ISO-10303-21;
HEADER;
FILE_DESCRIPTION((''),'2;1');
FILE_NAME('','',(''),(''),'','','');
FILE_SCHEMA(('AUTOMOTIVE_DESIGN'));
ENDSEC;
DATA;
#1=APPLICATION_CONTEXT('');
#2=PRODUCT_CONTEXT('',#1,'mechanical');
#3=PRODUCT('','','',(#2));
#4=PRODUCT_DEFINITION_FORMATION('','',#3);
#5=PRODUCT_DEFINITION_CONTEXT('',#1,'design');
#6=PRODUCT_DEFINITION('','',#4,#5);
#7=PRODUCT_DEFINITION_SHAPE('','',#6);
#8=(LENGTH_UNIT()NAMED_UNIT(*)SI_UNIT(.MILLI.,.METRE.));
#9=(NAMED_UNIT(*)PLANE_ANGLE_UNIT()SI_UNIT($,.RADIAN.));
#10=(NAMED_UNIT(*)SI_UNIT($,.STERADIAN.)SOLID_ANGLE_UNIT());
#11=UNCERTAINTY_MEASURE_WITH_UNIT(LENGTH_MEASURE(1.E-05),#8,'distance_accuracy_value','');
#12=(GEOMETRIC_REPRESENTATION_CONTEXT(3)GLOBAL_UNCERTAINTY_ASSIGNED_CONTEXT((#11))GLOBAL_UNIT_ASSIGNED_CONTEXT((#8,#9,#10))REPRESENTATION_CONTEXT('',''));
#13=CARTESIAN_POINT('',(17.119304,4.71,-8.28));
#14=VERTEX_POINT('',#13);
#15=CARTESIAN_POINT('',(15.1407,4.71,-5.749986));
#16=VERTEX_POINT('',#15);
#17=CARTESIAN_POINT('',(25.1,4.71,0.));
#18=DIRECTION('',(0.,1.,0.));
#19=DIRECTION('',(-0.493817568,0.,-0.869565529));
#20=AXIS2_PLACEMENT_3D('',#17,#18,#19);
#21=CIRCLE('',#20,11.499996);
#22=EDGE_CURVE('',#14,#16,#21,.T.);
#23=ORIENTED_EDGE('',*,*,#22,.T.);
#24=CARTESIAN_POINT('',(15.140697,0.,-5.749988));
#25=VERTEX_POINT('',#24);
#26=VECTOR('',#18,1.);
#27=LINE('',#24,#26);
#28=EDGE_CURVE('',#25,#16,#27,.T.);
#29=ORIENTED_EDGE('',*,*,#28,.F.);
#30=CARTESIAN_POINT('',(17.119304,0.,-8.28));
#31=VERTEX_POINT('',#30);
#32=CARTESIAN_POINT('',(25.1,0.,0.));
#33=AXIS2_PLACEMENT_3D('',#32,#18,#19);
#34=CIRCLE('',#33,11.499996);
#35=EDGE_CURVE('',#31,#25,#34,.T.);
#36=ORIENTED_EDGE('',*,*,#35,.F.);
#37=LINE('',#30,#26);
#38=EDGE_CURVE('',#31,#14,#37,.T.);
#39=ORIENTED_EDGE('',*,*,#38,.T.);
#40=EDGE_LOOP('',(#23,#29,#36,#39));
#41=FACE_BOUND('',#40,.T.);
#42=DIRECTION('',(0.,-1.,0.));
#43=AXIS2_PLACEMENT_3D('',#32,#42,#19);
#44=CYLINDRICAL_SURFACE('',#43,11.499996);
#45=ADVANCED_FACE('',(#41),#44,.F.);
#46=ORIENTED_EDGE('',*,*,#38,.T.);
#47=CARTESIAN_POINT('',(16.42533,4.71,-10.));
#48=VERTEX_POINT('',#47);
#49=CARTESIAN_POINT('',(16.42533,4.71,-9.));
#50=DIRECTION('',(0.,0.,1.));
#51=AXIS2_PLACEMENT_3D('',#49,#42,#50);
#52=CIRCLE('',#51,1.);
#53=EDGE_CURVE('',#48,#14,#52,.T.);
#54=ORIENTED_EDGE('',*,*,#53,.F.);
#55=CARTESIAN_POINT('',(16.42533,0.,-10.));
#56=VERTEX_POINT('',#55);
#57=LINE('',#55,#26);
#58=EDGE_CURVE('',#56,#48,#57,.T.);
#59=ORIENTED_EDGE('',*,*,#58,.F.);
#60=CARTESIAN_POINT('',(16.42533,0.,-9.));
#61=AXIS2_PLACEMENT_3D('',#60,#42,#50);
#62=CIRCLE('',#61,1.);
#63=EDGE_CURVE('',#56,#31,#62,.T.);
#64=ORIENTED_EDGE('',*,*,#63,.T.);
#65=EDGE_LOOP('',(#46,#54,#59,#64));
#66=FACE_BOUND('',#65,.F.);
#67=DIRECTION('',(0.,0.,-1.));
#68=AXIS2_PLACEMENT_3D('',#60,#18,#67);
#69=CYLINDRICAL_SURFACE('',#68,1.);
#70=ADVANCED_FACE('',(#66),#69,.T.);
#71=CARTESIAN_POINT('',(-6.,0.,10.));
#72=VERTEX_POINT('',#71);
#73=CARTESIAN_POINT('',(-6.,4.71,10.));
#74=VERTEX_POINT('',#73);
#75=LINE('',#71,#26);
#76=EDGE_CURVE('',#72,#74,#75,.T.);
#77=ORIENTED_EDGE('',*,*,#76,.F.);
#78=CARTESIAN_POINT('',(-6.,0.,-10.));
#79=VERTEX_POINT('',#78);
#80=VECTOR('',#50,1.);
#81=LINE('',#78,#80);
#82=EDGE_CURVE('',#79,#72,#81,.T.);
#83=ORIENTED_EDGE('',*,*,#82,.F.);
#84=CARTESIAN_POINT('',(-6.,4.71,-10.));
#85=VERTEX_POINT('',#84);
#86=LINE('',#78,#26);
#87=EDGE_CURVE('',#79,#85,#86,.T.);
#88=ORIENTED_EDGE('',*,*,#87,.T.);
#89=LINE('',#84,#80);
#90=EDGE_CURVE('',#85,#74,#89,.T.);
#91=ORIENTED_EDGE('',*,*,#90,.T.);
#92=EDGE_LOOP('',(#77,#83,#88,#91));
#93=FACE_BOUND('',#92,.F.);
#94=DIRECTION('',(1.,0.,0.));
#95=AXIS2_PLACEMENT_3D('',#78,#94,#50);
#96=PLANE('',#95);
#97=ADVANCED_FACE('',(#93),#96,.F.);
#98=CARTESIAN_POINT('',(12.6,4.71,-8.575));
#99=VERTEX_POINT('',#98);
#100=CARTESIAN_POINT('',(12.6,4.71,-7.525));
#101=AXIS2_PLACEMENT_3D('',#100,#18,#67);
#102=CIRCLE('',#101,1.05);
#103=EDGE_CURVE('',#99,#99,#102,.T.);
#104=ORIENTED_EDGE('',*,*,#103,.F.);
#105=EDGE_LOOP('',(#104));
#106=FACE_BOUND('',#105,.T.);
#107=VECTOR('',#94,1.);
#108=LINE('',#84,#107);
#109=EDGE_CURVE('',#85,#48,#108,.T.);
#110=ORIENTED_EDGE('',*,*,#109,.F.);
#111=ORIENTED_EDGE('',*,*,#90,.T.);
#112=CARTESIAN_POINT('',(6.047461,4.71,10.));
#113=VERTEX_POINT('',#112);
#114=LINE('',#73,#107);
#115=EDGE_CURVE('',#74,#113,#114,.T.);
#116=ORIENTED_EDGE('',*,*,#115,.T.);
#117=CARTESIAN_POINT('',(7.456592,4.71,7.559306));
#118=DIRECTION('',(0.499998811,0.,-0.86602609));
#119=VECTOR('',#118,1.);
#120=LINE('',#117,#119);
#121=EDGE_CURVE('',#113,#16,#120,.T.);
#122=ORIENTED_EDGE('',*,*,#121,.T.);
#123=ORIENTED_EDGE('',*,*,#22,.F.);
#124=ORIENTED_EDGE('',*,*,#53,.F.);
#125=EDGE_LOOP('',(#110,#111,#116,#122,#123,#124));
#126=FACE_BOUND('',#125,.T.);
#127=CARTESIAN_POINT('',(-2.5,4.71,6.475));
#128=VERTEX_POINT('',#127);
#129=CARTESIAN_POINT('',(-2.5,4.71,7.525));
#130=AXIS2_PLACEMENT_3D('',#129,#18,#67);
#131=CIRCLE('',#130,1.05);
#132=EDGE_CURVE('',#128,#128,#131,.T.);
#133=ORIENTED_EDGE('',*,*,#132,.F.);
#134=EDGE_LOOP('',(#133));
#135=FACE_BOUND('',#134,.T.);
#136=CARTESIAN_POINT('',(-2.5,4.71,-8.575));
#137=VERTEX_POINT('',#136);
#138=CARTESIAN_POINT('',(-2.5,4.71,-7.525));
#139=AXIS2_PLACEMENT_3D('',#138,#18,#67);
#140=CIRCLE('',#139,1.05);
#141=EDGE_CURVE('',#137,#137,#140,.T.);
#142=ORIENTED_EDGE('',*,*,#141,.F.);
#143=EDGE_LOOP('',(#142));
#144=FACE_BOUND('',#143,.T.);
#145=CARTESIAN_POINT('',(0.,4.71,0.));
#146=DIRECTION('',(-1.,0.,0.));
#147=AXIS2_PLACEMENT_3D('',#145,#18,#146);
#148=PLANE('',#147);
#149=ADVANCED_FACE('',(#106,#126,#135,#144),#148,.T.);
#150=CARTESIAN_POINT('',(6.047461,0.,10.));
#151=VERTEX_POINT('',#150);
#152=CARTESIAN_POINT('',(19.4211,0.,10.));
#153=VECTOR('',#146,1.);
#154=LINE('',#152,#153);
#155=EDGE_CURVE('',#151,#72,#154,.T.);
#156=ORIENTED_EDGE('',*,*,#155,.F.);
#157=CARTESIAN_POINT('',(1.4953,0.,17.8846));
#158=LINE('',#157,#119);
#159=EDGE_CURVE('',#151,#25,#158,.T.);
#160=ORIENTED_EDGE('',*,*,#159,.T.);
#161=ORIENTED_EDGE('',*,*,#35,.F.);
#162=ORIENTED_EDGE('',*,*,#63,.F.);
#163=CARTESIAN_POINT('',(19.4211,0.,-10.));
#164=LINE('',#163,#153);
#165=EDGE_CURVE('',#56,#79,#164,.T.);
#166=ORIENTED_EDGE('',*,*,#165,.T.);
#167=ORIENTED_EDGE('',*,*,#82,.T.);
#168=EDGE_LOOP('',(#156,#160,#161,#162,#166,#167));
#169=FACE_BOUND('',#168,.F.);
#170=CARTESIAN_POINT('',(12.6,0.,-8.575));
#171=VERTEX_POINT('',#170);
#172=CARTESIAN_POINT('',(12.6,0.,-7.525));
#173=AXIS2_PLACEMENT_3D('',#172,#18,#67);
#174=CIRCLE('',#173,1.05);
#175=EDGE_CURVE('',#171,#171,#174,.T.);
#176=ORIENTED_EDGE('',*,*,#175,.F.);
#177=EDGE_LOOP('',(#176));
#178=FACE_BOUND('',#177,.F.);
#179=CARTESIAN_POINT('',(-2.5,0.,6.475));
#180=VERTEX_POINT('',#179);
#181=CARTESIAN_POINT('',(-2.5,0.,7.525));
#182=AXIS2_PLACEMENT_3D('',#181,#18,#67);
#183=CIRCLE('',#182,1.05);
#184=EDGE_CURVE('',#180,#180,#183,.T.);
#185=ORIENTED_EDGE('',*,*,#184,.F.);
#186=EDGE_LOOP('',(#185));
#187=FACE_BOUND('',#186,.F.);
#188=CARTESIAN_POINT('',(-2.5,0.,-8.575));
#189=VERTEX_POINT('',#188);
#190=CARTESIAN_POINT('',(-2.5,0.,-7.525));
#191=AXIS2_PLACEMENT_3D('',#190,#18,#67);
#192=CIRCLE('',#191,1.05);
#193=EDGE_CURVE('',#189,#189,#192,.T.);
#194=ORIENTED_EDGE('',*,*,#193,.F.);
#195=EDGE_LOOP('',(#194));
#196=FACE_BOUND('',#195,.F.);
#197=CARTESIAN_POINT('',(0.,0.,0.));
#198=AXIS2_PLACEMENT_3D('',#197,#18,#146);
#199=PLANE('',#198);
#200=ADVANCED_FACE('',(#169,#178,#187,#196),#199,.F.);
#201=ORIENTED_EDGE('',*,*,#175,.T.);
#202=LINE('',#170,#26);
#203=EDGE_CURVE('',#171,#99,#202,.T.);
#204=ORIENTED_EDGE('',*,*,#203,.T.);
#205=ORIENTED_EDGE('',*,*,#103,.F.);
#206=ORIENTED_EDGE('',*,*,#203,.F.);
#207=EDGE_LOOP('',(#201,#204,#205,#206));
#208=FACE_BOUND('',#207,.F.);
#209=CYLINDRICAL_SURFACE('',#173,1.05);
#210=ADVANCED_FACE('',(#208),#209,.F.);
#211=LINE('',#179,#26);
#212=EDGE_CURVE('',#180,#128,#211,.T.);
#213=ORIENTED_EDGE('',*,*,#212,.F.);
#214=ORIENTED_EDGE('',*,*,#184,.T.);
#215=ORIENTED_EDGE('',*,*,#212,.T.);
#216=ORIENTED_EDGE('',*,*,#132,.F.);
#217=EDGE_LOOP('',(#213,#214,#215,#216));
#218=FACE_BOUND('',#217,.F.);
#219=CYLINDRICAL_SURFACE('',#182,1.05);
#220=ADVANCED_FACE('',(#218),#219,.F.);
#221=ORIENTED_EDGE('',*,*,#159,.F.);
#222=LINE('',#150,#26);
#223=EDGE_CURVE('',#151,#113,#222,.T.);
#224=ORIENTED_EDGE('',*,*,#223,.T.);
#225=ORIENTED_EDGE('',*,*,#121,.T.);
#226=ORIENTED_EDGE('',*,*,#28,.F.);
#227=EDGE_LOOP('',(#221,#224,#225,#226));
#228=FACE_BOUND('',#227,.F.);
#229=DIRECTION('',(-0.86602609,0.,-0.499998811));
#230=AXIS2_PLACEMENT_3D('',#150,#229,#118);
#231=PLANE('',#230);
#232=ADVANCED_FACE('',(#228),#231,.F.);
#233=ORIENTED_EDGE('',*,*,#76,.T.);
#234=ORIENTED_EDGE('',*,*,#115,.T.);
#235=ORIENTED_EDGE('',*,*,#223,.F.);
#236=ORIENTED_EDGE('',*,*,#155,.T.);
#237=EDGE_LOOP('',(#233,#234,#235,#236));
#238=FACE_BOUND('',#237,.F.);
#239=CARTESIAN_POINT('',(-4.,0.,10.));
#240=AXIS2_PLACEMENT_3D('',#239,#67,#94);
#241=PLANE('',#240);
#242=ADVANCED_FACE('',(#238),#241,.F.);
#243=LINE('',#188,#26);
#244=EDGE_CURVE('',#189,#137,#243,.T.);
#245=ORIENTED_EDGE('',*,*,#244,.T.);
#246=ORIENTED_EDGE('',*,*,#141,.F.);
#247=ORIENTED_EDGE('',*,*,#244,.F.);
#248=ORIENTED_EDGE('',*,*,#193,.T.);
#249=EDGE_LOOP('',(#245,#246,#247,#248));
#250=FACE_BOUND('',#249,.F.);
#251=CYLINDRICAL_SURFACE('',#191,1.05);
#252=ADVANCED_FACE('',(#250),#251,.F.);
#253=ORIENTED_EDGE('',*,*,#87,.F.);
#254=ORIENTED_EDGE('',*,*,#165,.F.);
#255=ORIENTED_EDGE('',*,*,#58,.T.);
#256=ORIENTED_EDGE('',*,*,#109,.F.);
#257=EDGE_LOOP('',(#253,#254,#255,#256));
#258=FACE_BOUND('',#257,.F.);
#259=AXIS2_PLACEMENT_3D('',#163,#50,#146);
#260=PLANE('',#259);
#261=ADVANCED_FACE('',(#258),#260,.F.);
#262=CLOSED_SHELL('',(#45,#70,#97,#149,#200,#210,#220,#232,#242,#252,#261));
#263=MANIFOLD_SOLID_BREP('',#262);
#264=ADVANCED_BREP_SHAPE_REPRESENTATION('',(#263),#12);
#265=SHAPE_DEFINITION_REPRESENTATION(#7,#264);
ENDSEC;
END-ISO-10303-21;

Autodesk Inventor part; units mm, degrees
ref_plane "YZ Plane" through (0, 0, 0) normal (1, 0, 0) x (0, 1, 0)
ref_plane "XZ Plane" through (0, 0, 0) normal (0, 1, 0) x (-1, 0, 0)
ref_plane "XY Plane" through (0, 0, 0) normal (0, 0, 1) x (1, 0, 0)
sketch "Sketch1" plane through (0, 0, 0) normal (0, 1, 0) x (-1, 0, 0)
  line L0 (4, 10) -> (-19.4211, 10)
  line L1 (-19.4211, -10) -> (4, -10)
  line L2 (4, -10) -> (4, 10)
  arc A0 (-19.4211, -10) -> (-19.4211, 10) centre (-25.1, 0) ccw
  line L3 (4, -10) -> (6, -10)
  line L4 (6, -10) -> (6, 10)
  line L5 (6, 10) -> (4, 10)
  line L6 (4, 10) -> (4, -10)
  point P0 (0, 0)
  dimension "d0" = 20
  dimension "d2" = 4
  dimension "d3" = 10
  dimension "d6" = 10
  dimension "d7" = 23
  dimension "d8" = 29.1
  dimension "d11" = 23.4211
  dimension "d12" = 20
  dimension "d13" = 2
extrude "Extrusion1" add sketch "Sketch1" along normal blind 4.71
fillet "Fillet1" radius 1 2 edges at (19.4211, 2.355, -10) (19.4211, 2.355, 10)
sketch "Sketch3" plane through (0, 0, 0) normal (0, -1, 0) x (1, 0, 0)
  circle A0 centre (-2.5, -7.525) radius 1.05
  circle A1 centre (12.6, -7.525) radius 1.05
  circle A2 centre (12.6, 7.525) radius 1.05
  circle A3 centre (-2.5, 7.525) radius 1.05
  point P0 (0, 0)
hole "Hole2" at (-2.5, 0, -7.525) at (-2.5, 0, 7.525) at (12.6, 0, 7.525) at (12.6, 0, -7.525) direction (0, 1, 0) diameter 2.1 end through all
sketch "Sketch4" plane through (0, 0, 0) normal (0, -1, 0) x (1, 0, 0)
  line L0 (1.4953, 17.8846) -> (19.0725, -12.5601)
  arc A0 (17.1193, 8.28) -> (17.1193, -8.28) centre (25.1, 0) ccw projected
  arc A1 (17.1193, 8.28) -> (16.4253, 10) centre (16.4253, 9) ccw projected
  line L1 (-6, 10) -> (16.4253, 10) projected
  point P0 (0, 0)
  point P1 (6.0474, 10)
  point P2 (15.1407, -5.75)
  dimension "d29" = 60
extrude "Extrusion2" cut sketch "Sketch4" against normal up to next
properties part number "3D_printed_part"
